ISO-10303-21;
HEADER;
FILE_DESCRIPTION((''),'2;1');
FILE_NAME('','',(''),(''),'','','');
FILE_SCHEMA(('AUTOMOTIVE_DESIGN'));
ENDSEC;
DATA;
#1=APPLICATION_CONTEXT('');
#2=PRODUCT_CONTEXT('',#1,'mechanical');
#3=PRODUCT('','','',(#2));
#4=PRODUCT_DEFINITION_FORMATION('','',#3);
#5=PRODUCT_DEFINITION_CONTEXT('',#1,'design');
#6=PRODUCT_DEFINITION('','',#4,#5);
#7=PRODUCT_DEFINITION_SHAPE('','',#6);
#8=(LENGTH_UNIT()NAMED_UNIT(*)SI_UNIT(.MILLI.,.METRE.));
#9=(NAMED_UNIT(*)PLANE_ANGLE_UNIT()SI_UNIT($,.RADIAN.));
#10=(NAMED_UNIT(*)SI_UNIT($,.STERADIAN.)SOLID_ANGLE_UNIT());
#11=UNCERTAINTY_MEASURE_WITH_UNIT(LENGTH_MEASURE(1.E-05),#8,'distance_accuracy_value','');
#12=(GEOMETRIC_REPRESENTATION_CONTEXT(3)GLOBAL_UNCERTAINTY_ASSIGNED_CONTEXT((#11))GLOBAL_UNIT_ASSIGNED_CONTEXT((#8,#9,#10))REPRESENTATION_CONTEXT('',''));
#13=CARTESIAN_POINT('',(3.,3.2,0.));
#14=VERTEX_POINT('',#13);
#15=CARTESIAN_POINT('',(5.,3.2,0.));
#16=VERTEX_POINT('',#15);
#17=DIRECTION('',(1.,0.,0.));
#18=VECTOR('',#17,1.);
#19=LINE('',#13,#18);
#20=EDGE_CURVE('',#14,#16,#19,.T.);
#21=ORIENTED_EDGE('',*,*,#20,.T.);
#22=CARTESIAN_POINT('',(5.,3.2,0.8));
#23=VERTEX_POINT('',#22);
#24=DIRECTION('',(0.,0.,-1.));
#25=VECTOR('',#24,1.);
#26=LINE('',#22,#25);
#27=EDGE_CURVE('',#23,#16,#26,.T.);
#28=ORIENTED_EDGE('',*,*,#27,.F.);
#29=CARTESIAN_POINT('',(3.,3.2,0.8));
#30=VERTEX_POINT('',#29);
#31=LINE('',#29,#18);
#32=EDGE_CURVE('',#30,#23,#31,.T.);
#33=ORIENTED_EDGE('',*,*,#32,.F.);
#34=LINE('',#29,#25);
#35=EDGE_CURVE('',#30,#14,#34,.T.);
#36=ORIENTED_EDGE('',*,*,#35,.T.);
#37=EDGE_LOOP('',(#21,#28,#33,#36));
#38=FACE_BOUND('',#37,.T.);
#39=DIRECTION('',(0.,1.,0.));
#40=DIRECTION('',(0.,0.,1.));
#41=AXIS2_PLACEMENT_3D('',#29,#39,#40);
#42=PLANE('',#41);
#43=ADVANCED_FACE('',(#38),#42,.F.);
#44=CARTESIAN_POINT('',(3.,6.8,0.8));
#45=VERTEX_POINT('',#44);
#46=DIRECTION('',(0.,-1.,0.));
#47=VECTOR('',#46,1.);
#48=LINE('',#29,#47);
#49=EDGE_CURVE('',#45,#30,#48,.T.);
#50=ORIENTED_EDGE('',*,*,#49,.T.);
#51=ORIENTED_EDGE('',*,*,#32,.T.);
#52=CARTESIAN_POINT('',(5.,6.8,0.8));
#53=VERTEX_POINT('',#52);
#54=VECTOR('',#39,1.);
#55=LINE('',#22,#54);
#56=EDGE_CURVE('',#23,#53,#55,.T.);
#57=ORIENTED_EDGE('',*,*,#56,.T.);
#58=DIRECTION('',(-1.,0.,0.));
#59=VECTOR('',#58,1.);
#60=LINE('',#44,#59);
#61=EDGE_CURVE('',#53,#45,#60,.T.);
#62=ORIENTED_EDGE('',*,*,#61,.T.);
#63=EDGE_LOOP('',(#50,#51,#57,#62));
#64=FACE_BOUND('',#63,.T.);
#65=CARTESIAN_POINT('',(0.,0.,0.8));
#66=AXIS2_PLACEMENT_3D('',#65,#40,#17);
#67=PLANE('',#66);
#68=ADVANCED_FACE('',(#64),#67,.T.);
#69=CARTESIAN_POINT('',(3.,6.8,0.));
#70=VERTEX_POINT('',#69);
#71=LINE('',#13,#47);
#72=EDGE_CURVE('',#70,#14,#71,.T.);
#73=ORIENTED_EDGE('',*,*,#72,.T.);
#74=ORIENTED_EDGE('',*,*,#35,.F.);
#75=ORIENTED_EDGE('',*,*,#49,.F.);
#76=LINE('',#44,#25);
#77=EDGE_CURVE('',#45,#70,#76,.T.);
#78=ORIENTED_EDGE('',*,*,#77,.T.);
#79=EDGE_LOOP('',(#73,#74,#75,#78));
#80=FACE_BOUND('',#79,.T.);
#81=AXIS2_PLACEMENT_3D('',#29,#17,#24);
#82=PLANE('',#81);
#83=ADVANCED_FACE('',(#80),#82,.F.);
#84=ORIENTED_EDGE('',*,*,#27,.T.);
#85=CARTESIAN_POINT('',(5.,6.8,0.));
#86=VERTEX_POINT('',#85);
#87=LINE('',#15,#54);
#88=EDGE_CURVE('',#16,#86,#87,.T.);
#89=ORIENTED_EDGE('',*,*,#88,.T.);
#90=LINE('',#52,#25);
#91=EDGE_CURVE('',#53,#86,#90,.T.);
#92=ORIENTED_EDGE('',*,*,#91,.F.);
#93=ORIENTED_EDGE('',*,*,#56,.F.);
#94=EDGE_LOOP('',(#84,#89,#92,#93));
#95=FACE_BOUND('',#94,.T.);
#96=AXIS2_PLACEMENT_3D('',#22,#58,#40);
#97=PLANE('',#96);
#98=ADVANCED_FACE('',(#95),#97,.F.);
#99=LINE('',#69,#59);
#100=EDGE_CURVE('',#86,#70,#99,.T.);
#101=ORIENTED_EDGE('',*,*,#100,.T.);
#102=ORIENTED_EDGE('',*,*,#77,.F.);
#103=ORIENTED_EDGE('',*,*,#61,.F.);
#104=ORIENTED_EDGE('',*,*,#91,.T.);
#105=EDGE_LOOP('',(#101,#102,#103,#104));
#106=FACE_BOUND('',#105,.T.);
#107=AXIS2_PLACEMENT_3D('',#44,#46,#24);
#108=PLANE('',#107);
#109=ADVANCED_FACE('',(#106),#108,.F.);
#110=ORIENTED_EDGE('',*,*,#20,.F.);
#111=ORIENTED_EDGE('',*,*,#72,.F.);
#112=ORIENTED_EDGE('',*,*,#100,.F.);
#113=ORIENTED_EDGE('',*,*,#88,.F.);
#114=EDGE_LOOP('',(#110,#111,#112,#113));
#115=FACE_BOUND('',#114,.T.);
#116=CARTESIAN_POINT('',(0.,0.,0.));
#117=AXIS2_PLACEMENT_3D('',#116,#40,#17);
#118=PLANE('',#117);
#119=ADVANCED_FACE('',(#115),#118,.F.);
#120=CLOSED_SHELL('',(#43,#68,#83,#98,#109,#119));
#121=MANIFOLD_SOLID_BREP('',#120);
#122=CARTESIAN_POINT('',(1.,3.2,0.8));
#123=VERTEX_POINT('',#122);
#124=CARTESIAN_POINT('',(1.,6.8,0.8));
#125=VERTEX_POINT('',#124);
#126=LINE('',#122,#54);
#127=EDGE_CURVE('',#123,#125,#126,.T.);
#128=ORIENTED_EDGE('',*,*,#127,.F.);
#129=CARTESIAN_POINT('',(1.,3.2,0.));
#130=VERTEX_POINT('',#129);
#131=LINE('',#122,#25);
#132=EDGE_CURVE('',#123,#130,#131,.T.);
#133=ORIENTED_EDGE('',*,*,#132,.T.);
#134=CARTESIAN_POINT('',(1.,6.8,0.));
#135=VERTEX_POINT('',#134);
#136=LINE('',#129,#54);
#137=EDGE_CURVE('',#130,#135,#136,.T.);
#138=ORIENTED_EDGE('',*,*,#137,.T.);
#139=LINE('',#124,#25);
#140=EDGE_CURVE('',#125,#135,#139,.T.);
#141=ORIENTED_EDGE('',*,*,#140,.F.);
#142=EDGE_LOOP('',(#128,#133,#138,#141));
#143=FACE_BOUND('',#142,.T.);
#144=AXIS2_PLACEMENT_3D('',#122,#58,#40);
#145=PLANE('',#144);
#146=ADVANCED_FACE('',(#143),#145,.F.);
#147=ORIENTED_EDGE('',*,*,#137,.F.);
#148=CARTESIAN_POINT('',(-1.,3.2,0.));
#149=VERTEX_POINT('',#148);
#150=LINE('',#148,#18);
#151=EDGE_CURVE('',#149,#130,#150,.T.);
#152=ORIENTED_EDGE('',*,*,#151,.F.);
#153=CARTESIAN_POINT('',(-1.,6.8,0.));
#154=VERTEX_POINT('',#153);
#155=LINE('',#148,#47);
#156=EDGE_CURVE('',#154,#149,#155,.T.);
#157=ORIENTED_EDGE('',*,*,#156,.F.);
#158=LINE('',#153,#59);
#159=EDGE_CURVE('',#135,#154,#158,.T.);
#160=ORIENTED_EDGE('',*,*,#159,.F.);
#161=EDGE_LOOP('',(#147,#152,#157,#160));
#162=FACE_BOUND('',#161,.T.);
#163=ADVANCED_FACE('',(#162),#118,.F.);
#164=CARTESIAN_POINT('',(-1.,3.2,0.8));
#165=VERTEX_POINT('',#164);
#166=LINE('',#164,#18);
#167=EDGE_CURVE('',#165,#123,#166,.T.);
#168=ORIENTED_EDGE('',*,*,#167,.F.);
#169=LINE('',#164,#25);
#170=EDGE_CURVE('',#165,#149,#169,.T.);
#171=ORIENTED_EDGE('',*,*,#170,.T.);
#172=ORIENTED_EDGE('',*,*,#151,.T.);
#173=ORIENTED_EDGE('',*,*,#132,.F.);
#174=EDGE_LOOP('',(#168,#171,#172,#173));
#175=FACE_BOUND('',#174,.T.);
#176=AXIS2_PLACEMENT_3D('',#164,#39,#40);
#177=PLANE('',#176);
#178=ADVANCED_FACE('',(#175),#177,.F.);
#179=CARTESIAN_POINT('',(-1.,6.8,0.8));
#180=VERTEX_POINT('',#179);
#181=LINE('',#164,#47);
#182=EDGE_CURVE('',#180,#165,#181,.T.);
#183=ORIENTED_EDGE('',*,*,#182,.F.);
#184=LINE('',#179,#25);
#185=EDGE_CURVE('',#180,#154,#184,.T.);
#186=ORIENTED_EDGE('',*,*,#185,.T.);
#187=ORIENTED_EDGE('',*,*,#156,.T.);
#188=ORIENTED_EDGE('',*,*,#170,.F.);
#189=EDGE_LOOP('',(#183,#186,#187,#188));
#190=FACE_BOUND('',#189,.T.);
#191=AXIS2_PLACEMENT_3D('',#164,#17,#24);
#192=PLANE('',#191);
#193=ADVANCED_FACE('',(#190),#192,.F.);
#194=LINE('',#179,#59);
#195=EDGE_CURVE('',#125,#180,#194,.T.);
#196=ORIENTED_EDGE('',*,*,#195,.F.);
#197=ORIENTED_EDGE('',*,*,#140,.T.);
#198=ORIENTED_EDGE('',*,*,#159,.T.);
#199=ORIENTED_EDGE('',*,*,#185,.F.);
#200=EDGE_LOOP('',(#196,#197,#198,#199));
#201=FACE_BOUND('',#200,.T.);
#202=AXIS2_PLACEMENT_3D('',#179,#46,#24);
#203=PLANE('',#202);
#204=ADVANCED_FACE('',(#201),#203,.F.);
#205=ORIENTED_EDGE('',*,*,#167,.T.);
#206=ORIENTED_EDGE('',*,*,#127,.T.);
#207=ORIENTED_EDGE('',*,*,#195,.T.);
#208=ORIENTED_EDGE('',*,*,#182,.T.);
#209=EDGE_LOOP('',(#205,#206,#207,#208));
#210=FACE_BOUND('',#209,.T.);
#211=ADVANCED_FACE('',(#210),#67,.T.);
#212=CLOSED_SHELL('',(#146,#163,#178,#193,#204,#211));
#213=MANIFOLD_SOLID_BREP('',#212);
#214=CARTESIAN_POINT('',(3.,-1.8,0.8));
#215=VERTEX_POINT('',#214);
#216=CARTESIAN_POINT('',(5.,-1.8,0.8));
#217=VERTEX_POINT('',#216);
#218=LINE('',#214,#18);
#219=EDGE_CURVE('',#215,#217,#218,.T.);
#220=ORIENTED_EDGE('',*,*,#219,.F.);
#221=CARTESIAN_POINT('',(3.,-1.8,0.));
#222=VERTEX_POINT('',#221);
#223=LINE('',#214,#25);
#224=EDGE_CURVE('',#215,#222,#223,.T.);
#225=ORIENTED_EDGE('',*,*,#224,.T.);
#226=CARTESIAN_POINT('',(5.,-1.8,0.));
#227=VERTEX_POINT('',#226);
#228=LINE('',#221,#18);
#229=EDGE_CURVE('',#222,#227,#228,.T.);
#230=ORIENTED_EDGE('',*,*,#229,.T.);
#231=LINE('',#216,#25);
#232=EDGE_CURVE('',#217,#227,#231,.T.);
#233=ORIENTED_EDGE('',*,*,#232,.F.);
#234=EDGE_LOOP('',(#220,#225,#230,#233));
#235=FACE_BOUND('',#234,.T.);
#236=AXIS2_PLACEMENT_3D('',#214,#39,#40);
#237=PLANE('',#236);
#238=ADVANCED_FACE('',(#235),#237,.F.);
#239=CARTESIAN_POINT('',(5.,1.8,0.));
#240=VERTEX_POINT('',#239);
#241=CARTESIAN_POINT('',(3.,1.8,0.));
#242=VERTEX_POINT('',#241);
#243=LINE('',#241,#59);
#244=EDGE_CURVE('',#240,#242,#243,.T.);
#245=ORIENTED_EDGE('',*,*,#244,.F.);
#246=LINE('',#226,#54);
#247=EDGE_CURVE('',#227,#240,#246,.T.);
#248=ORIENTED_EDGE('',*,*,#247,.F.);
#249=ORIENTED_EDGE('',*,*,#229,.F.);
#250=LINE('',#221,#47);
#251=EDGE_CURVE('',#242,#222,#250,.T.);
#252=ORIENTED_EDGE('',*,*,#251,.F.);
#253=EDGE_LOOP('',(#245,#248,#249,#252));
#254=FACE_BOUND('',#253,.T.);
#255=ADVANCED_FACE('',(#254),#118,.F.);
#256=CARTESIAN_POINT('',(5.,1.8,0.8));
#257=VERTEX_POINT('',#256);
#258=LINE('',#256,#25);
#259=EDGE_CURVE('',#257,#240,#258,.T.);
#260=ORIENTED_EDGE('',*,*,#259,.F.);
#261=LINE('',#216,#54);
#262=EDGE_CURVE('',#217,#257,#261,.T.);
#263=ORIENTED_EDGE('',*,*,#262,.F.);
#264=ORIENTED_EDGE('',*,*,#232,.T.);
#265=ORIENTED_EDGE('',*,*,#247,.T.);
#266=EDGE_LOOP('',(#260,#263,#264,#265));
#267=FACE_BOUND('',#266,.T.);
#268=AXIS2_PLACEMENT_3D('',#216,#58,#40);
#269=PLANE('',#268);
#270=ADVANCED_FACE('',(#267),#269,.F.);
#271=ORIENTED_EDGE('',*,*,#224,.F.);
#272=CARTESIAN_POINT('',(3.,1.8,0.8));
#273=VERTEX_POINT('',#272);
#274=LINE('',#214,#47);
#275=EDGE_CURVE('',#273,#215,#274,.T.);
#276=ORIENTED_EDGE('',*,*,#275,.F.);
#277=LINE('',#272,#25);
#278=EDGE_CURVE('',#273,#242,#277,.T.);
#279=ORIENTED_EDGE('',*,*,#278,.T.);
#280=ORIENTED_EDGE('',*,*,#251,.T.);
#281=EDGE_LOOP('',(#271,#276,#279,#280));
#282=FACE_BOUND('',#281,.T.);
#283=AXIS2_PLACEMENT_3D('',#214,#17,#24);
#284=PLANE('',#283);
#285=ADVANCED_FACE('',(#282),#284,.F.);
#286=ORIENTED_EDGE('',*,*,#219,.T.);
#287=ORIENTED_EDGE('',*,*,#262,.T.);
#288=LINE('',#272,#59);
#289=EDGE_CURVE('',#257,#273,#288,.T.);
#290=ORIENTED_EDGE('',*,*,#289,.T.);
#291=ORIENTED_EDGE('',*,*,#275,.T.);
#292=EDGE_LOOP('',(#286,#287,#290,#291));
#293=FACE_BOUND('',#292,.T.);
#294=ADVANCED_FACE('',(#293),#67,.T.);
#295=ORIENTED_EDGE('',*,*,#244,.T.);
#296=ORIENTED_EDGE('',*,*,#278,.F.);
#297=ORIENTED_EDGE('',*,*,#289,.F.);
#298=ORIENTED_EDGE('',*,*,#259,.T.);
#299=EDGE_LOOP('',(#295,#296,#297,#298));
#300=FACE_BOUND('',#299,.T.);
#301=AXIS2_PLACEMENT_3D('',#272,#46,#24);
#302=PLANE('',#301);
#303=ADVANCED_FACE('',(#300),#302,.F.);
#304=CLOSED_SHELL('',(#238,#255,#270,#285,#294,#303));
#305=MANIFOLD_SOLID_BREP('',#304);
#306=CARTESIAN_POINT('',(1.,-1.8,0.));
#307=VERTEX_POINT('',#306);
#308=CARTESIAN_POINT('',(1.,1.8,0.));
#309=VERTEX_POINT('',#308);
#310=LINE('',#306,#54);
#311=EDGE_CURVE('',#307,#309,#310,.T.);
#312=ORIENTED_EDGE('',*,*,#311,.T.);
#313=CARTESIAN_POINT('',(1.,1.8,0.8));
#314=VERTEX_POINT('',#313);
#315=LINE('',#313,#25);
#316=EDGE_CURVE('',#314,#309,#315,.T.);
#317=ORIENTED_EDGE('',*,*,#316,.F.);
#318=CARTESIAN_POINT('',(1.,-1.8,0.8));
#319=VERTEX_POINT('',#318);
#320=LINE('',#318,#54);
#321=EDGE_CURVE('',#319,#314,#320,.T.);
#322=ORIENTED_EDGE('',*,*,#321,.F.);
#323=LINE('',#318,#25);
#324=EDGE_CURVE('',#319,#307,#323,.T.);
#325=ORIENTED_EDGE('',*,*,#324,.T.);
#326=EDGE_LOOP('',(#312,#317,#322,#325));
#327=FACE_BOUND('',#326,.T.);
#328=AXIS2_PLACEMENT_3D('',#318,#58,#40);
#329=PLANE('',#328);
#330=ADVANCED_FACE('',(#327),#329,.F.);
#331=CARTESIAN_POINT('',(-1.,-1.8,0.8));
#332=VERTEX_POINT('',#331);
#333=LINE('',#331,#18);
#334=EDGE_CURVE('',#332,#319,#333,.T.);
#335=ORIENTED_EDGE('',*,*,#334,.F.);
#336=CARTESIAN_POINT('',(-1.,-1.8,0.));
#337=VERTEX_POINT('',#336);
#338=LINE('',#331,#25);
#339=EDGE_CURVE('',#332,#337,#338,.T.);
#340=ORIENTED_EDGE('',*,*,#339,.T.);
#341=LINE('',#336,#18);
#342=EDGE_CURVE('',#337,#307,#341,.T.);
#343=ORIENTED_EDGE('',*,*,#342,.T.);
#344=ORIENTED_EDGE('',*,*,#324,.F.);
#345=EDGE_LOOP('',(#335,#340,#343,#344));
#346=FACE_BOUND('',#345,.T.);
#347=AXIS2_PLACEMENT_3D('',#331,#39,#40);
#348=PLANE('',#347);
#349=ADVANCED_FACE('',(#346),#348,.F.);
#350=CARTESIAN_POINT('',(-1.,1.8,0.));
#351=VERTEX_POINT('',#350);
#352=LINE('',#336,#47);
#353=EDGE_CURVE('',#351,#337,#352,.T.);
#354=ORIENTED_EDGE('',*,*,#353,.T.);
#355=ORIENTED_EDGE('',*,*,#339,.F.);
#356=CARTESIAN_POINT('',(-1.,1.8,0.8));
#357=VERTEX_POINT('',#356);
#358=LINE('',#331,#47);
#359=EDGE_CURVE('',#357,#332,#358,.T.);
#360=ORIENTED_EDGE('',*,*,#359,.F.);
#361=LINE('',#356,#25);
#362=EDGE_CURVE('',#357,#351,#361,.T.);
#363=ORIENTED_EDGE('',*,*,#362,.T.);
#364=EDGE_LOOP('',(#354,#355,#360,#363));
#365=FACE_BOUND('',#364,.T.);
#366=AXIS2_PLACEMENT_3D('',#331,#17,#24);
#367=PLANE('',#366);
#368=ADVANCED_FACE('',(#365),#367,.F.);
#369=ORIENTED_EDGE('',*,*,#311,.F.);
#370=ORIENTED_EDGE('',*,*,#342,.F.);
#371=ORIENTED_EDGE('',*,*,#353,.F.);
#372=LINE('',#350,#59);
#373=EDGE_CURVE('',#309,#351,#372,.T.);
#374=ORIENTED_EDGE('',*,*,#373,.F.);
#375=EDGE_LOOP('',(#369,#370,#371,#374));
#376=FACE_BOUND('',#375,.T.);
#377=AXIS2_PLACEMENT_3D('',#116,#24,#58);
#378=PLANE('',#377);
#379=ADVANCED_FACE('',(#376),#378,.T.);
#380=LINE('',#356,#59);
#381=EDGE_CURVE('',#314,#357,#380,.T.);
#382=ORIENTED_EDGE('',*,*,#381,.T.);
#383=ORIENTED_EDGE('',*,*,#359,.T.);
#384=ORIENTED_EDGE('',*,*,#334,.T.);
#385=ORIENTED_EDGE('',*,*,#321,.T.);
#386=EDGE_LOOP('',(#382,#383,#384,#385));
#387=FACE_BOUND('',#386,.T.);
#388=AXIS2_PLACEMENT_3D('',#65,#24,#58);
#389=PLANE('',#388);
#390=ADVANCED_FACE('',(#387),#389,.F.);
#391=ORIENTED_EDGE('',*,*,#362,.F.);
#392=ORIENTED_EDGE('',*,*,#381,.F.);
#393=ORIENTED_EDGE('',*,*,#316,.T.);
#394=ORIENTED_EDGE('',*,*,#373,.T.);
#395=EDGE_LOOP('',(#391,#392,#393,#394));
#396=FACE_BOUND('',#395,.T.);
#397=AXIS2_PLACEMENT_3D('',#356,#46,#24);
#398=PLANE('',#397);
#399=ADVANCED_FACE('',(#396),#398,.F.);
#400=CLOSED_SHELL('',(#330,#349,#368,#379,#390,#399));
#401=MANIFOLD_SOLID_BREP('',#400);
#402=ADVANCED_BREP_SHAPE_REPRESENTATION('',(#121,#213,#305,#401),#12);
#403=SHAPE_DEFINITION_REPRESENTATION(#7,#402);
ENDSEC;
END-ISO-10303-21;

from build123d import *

# Parameters (mm, degrees)
SKETCH_1_W        = 2
SKETCH_1_H        = 3.6
EXTRUDE_1_DEPTH   = 0.8
EXTRUDE_1_2_DEPTH = 0.8
EXTRUDE_1_3_DEPTH = 0.8
EXTRUDE_1_4_DEPTH = 0.8


with BuildPart() as part:
    # Эскиз1 → Бобышка-Вытянуть1 (new body)
    with BuildSketch(Plane.XY):
        with Locations((4, 0)):
            Rectangle(SKETCH_1_W, SKETCH_1_H)
    extrude(amount=EXTRUDE_1_DEPTH)


with BuildPart() as body_2:
    # Эскиз1 → Extrude 1 2 (new body)
    with BuildSketch(Plane.XY):
        Rectangle(SKETCH_1_W, SKETCH_1_H)
    extrude(amount=EXTRUDE_1_2_DEPTH)


with BuildPart() as body_3:
    # Эскиз1 → Extrude 1 3 (new body)
    with BuildSketch(Plane.XY):
        with Locations((4, 5)):
            Rectangle(SKETCH_1_W, SKETCH_1_H)
    extrude(amount=EXTRUDE_1_3_DEPTH)


with BuildPart() as body_4:
    # Эскиз1 → Extrude 1 4 (new body)
    with BuildSketch(Plane.XY):
        with Locations((0, 5)):
            Rectangle(SKETCH_1_W, SKETCH_1_H)
    extrude(amount=EXTRUDE_1_4_DEPTH)


solid = Compound([part.part, body_2.part, body_3.part, body_4.part])
